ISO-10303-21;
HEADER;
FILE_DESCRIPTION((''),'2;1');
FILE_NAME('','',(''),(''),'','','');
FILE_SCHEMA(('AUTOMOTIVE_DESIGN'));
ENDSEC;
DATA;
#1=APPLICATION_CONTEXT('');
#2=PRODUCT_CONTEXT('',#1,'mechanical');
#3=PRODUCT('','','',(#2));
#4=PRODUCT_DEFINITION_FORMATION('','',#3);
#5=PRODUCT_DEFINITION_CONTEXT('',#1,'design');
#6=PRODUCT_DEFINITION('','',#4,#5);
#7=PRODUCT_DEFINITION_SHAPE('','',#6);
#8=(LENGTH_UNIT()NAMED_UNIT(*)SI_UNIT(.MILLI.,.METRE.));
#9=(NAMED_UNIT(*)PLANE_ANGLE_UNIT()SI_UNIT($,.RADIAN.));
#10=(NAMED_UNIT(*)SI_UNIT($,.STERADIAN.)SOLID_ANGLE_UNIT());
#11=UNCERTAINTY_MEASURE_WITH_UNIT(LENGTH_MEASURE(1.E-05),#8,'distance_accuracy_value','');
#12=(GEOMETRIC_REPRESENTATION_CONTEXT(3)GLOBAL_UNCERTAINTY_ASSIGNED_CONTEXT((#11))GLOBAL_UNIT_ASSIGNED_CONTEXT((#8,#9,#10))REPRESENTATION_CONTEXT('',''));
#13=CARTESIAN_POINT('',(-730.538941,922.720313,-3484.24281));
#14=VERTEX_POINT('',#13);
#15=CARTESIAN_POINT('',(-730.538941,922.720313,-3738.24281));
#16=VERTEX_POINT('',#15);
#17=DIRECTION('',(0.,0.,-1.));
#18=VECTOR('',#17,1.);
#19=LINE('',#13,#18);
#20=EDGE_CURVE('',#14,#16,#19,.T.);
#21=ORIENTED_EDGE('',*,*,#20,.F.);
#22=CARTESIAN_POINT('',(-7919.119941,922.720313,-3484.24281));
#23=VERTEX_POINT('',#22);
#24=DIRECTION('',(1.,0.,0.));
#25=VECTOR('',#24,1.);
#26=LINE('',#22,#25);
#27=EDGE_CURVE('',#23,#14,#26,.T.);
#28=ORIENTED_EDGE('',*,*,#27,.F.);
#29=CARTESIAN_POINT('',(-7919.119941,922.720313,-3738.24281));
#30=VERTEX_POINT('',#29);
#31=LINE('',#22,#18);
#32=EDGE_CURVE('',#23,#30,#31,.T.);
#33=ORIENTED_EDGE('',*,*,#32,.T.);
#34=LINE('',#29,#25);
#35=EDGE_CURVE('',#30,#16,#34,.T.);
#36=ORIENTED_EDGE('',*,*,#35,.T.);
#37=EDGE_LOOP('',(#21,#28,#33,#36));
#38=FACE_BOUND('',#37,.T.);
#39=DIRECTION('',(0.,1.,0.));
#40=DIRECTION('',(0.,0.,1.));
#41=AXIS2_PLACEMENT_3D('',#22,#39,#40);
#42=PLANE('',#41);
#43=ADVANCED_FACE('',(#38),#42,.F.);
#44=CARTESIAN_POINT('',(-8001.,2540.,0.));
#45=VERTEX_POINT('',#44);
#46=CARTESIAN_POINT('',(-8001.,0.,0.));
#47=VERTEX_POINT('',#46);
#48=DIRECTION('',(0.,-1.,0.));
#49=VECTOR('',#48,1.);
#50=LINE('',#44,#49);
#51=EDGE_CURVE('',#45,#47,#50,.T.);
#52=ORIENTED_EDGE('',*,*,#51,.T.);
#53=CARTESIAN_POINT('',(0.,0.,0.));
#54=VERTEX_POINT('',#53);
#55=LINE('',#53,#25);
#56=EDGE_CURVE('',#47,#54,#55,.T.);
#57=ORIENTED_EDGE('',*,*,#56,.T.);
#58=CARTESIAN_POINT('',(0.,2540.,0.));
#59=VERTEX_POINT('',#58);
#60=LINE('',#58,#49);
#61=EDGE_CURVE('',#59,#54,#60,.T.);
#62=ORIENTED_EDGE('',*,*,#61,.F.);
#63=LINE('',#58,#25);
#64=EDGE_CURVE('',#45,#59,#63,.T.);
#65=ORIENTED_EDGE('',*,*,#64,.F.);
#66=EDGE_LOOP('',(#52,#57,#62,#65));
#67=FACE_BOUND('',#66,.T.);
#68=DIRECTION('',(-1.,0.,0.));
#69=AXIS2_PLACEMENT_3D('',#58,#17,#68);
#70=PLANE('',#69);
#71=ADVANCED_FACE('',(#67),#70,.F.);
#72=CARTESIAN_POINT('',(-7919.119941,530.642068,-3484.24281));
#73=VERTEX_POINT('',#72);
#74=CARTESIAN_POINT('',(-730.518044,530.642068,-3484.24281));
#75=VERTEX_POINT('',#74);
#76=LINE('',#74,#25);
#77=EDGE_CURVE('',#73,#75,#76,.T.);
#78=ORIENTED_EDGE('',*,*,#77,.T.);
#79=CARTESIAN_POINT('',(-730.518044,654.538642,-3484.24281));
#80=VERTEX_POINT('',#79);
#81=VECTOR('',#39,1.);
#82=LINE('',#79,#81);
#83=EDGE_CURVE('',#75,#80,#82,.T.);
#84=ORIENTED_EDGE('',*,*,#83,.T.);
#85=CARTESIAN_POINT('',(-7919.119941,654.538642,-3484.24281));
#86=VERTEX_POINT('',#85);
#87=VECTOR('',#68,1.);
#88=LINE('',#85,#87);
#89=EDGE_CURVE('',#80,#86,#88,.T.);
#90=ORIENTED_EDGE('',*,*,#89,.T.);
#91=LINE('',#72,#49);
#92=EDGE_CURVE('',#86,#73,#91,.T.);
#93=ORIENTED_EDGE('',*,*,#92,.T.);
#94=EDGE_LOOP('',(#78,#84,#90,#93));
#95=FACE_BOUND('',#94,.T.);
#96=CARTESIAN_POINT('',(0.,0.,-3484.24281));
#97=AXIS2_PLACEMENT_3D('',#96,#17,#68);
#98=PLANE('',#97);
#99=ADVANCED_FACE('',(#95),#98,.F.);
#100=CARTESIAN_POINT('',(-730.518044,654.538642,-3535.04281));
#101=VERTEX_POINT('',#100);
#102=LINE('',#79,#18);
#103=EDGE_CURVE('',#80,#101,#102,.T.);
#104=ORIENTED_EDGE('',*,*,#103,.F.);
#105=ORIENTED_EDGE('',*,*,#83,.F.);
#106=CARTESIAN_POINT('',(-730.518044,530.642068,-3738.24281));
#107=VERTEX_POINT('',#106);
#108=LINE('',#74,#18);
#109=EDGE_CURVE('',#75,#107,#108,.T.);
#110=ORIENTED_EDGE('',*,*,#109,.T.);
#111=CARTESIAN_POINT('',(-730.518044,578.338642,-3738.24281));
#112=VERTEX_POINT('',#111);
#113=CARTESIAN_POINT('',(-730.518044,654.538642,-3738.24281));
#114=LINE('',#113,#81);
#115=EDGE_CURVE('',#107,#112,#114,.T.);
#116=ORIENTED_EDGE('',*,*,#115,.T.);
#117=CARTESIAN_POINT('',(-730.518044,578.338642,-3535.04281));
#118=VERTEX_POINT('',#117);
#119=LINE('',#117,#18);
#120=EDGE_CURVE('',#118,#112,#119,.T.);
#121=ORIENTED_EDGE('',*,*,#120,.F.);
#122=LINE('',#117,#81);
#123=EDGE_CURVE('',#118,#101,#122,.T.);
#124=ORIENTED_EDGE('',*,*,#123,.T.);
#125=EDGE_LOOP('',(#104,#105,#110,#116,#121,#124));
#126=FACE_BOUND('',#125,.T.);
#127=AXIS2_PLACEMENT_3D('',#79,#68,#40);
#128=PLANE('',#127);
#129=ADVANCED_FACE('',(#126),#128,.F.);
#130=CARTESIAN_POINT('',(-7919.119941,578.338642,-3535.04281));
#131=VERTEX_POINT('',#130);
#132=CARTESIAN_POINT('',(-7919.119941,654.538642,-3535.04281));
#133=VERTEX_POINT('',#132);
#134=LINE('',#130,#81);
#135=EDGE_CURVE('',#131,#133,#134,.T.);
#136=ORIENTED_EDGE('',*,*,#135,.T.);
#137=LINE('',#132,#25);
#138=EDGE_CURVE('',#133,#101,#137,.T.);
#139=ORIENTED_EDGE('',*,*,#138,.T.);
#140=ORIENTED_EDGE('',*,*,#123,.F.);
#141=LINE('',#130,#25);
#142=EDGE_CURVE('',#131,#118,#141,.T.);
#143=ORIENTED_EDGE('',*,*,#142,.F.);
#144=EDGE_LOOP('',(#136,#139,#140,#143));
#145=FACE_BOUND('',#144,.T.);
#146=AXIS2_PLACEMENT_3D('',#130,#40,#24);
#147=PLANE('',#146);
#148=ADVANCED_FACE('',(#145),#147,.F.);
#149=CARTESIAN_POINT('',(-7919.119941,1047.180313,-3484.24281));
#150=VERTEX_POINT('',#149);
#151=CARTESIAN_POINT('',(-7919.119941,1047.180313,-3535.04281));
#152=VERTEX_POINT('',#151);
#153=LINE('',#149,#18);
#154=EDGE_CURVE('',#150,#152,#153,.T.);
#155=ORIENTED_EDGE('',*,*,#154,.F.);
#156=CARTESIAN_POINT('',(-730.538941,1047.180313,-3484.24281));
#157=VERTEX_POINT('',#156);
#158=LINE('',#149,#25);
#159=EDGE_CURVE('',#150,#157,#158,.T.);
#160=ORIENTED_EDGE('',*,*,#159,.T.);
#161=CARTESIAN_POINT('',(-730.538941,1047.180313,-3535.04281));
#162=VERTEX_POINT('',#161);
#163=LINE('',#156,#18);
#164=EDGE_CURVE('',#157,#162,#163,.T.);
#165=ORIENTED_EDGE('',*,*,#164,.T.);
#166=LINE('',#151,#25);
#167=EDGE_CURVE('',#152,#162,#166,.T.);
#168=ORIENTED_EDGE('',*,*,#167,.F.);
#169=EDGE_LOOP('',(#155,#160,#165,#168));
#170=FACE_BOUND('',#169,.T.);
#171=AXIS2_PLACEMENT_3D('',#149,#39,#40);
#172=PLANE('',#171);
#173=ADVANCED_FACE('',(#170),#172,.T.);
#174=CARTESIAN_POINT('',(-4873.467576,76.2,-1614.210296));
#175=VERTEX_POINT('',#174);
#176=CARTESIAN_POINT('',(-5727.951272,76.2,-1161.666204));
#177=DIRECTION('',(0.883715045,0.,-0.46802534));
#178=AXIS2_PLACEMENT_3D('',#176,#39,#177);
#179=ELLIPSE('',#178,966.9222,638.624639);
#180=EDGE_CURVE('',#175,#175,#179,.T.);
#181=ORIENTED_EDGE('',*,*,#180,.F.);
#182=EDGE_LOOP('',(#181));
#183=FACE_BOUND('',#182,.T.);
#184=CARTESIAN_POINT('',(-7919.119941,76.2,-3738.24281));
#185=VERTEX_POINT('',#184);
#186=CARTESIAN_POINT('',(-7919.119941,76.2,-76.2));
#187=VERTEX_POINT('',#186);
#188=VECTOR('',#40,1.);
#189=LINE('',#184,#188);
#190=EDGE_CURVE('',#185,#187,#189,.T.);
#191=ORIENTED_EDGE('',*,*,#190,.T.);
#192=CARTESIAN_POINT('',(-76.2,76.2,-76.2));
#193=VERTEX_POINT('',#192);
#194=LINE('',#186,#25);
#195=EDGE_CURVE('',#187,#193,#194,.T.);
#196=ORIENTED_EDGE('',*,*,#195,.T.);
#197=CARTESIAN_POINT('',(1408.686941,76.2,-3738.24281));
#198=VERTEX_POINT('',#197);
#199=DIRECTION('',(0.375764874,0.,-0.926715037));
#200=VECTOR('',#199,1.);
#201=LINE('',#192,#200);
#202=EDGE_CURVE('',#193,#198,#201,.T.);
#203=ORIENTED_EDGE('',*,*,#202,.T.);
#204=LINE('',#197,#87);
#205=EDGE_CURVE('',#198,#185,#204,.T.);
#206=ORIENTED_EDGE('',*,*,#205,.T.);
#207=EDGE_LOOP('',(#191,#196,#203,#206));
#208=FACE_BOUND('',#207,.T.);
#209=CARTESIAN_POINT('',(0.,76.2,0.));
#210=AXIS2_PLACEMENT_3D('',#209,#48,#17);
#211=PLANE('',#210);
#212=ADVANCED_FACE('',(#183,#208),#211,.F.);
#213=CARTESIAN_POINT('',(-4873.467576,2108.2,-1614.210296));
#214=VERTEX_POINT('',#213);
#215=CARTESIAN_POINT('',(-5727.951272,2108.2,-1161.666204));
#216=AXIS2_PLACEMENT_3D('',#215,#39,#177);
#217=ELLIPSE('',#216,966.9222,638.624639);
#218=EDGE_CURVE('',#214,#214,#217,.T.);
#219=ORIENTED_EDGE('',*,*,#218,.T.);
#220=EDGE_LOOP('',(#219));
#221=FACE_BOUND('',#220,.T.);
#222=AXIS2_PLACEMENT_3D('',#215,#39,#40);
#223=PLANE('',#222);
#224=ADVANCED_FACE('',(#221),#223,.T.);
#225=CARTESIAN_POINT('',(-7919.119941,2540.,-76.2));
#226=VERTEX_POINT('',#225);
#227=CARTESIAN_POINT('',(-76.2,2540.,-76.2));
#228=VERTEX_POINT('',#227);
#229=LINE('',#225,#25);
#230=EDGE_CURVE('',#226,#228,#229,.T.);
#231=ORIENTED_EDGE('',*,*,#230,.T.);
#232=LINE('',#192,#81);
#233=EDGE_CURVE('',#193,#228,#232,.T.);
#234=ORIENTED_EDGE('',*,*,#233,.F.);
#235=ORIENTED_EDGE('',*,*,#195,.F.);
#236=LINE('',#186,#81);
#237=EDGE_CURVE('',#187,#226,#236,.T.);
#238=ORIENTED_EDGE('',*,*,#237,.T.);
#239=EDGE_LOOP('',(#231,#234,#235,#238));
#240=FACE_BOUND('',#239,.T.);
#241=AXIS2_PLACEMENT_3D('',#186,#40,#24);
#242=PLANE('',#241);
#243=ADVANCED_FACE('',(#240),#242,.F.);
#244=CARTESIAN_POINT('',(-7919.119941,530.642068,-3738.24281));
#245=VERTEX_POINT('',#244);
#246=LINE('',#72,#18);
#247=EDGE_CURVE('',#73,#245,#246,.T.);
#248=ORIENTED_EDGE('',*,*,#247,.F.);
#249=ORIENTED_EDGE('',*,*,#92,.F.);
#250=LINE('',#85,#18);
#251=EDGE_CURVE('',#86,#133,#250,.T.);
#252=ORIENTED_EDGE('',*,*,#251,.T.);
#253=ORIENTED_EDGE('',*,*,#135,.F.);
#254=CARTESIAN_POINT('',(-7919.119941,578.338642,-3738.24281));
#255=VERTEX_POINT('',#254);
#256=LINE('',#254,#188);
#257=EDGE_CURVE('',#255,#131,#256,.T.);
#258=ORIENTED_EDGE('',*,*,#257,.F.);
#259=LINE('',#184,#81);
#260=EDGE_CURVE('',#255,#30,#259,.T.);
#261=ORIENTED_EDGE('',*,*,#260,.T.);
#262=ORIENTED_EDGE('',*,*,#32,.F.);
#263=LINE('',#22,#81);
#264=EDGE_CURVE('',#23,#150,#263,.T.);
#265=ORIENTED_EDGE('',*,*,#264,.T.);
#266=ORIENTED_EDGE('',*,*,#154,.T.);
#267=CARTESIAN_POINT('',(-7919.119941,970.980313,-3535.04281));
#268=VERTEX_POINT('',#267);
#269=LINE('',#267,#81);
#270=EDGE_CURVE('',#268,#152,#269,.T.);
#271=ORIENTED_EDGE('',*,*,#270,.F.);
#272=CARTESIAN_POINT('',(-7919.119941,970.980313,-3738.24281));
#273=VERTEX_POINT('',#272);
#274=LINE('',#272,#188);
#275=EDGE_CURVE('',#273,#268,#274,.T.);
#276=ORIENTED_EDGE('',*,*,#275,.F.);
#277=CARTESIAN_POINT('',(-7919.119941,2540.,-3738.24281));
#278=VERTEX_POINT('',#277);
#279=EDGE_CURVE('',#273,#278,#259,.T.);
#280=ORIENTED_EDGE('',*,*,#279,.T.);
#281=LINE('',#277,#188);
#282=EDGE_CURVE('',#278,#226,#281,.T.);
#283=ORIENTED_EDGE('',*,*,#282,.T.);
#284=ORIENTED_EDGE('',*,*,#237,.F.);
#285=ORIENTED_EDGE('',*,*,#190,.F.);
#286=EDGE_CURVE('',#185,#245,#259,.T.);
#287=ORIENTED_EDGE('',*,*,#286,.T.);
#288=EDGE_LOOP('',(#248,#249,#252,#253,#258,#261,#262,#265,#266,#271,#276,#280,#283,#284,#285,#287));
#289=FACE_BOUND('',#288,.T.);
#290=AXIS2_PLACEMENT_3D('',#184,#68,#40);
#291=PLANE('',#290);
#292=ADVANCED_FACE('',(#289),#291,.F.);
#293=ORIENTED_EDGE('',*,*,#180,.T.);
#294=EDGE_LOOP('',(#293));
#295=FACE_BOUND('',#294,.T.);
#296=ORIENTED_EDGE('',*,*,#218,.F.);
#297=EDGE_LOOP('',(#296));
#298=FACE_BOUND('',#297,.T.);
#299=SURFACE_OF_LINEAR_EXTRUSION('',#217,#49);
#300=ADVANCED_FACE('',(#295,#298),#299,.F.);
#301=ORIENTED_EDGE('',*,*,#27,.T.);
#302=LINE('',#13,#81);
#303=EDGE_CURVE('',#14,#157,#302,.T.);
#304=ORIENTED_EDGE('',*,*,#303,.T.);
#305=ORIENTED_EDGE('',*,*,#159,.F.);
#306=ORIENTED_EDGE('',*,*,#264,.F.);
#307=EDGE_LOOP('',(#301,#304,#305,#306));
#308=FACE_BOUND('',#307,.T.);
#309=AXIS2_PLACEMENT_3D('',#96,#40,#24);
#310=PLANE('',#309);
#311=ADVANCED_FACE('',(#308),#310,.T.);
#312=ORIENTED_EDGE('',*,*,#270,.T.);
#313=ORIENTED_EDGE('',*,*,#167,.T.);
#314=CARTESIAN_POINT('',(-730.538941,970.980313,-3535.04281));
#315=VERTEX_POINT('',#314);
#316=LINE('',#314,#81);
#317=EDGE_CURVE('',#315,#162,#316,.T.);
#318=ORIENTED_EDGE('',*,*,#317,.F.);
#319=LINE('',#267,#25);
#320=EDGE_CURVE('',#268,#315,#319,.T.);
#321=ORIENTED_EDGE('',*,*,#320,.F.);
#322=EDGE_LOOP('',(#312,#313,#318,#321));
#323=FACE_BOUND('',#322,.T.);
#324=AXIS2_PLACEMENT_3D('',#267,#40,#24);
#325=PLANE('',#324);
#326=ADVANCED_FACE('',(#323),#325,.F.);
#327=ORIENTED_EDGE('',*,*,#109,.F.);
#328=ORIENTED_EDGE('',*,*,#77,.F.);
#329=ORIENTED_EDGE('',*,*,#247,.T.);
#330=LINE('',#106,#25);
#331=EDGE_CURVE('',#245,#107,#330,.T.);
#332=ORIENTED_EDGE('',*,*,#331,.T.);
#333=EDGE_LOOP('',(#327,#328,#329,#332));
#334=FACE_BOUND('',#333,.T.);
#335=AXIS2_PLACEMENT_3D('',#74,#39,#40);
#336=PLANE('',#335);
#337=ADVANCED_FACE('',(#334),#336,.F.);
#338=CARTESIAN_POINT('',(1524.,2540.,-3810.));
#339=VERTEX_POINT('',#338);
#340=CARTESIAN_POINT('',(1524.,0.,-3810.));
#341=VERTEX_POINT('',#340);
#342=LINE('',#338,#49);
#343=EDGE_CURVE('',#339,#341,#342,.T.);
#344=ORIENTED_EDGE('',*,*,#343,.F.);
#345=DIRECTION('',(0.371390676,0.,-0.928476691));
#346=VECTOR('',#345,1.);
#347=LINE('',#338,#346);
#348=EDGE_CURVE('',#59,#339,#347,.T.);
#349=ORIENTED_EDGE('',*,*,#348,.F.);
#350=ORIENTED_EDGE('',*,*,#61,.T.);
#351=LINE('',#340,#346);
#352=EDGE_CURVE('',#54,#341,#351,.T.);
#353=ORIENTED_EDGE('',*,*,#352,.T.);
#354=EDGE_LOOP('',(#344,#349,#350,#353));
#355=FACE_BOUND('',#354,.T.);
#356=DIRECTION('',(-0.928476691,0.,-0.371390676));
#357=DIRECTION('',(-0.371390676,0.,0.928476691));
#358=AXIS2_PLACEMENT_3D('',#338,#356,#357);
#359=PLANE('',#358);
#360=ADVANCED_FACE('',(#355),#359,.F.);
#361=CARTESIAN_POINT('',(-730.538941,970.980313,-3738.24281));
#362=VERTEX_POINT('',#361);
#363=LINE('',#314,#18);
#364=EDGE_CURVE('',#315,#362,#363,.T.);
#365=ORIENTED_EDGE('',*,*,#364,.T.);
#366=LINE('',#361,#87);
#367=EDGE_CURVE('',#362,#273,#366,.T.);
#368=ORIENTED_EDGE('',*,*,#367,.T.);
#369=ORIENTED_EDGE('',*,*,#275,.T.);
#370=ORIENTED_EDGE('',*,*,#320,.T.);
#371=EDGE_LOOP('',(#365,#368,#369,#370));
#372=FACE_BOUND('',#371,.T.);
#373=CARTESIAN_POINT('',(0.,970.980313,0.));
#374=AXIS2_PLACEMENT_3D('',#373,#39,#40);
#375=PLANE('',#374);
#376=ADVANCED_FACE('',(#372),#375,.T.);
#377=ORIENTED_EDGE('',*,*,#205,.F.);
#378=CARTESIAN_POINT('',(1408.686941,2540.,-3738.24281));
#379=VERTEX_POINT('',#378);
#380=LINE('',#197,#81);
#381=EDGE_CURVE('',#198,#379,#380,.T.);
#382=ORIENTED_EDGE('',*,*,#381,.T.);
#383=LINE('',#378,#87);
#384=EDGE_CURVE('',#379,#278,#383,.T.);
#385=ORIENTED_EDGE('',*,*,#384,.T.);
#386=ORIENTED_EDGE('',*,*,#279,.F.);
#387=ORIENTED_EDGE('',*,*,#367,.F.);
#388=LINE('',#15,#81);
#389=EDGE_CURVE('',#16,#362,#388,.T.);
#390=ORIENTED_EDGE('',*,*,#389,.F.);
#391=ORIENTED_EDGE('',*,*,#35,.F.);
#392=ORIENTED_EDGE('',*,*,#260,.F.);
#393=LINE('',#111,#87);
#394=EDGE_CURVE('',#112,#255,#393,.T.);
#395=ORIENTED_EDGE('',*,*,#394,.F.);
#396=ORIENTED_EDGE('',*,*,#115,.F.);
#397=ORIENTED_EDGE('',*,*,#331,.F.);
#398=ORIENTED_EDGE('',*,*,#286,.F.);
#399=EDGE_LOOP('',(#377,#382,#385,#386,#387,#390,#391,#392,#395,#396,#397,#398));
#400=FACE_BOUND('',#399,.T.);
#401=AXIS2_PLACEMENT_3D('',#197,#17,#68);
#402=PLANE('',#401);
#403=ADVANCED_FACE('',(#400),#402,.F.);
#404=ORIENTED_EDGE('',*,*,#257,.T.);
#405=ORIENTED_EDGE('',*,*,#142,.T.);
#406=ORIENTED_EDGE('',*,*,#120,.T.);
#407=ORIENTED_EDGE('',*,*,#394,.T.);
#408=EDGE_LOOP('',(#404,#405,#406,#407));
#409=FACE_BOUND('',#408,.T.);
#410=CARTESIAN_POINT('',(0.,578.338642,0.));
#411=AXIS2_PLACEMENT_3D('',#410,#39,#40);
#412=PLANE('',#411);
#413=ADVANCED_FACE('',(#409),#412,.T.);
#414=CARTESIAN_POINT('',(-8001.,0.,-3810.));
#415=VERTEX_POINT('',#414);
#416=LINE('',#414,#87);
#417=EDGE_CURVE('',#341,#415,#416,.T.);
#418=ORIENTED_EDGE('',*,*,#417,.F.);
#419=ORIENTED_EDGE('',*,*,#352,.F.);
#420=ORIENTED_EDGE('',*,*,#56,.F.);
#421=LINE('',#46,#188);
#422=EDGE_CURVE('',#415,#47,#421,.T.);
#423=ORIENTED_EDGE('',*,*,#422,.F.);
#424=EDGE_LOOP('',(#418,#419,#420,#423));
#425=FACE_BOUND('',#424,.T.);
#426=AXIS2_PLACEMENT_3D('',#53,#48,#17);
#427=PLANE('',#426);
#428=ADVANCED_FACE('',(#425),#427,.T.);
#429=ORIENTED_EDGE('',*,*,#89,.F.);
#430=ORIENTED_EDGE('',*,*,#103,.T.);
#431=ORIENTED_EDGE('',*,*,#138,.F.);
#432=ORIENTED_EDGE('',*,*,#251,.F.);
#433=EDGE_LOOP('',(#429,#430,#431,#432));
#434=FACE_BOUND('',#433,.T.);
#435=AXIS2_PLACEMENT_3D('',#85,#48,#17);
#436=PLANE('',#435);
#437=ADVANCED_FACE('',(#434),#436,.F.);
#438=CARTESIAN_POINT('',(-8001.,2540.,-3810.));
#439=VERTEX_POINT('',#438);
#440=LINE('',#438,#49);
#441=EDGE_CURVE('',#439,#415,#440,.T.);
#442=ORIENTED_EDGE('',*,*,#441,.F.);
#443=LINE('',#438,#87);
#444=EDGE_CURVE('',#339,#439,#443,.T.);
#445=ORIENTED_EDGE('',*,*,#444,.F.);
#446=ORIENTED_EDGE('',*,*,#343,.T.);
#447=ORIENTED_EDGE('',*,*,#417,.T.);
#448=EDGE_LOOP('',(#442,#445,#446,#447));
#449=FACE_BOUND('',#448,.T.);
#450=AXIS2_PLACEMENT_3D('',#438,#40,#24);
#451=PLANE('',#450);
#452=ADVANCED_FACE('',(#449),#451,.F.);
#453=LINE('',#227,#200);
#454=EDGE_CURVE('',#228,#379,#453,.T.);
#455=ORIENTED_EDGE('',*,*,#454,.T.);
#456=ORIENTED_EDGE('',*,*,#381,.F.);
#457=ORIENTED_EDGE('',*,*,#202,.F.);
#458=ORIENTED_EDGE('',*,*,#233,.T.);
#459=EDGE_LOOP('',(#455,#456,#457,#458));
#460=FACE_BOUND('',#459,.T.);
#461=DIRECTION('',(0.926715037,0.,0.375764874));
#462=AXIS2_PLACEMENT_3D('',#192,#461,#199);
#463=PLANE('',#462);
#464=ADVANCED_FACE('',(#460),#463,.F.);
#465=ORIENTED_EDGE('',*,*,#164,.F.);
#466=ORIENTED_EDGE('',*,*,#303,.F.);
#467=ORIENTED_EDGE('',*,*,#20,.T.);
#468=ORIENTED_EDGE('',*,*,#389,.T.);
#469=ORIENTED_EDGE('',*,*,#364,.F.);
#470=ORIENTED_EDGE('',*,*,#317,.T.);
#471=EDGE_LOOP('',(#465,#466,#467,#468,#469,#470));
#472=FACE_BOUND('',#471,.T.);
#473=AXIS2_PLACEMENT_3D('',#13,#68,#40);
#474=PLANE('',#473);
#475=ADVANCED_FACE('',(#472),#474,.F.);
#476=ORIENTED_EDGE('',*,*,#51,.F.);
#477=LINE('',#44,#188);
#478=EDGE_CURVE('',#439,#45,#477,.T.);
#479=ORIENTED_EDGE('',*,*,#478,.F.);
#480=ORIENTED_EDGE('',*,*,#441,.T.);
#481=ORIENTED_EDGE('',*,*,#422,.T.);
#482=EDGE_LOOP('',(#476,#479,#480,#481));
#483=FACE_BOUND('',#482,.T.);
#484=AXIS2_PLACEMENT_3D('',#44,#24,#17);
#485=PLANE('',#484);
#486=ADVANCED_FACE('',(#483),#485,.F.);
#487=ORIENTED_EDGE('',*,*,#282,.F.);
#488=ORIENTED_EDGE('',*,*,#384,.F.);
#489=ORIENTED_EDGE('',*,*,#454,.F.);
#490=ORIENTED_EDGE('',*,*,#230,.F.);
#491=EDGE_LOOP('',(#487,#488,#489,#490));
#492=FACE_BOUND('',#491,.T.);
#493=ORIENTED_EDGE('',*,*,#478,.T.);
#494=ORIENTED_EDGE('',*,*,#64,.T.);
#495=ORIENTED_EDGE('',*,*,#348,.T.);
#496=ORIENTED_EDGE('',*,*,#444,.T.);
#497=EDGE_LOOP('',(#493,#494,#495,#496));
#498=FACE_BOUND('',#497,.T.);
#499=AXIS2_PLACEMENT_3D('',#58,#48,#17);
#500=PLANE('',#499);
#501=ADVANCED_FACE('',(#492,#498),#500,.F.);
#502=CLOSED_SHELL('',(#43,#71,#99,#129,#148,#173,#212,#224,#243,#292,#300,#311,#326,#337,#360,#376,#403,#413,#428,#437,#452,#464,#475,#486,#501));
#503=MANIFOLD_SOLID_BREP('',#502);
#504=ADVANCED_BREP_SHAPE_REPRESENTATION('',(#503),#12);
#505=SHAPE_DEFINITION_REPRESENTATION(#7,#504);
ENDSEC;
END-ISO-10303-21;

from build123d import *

# Parameters (mm, degrees)
BOSS_EXTRUDE1_DEPTH = 2540
CUT_EXTRUDE1_DEPTH  = 2463.8
SKETCH4_W           = 7188.60189706
SKETCH4_H           = 123.896573516
BOSS_EXTRUDE2_DEPTH = 254
SKETCH5_W           = 7188.581
SKETCH5_H           = 124.46
BOSS_EXTRUDE3_DEPTH = 254
SKETCH6_W           = 7188.581
SKETCH6_H           = 203.2
CUT_EXTRUDE2_DEPTH  = 76.2
SKETCH11_W          = 7188.60189706
SKETCH11_H          = 203.2
CUT_EXTRUDE3_DEPTH  = 76.2
SKETCH18_RX         = 966.922200264
SKETCH18_RY         = 638.624638674
BOSS_EXTRUDE4_DEPTH = 2032


with BuildPart() as part:
    # Sketch2 → Boss-Extrude1 (new body)
    with BuildSketch(Plane(origin=(0, 0, 0), x_dir=(1, 0, 0), z_dir=(0, 1, 0))):
        Polygon((0, 0), (-8001, 0), (-8001, 3810), (1524, 3810), align=None)
    extrude(amount=BOSS_EXTRUDE1_DEPTH)

    # Sketch3 → Cut-Extrude1 (cut)
    with BuildSketch(Plane(origin=(0, 2540, 0), x_dir=(1, 0, 0), z_dir=(0, 1, 0))):
        Polygon((-76.2, 76.2), (1408.686941169, 3738.242810126), (-7919.119940746, 3738.242810126), (-7919.119940746, 76.2), align=None)
    extrude(amount=-CUT_EXTRUDE1_DEPTH, mode=Mode.SUBTRACT)

    # Sketch4 → Boss-Extrude2 (add)
    with BuildSketch(Plane.XY.offset(-3738.242810126)):
        with Locations((-4324.818992216, 592.590354758)):
            Rectangle(SKETCH4_W, SKETCH4_H)
    extrude(amount=BOSS_EXTRUDE2_DEPTH)

    # Sketch5 → Boss-Extrude3 (add)
    with BuildSketch(Plane.XY.offset(-3738.242810126)):
        with Locations((-4324.829440746, 984.950312929)):
            Rectangle(SKETCH5_W, SKETCH5_H)
    extrude(amount=BOSS_EXTRUDE3_DEPTH)

    # Sketch6 → Cut-Extrude2 (cut)
    with BuildSketch(Plane(origin=(0, 1047.180312929, 0), x_dir=(1, 0, 0), z_dir=(0, 1, 0))):
        with Locations((-4324.829440746, 3636.642810126)):
            Rectangle(SKETCH6_W, SKETCH6_H)
    extrude(amount=-CUT_EXTRUDE2_DEPTH, mode=Mode.SUBTRACT)

    # Sketch11 → Cut-Extrude3 (cut)
    with BuildSketch(Plane(origin=(0, 654.538641516, 0), x_dir=(1, 0, 0), z_dir=(0, 1, 0))):
        with Locations((-4324.818992216, 3636.642810126)):
            Rectangle(SKETCH11_W, SKETCH11_H)
    extrude(amount=-CUT_EXTRUDE3_DEPTH, mode=Mode.SUBTRACT)

    # Sketch18 → Boss-Extrude4 (add)
    with BuildSketch(Plane(origin=(0, 76.2, 0), x_dir=(1, 0, 0), z_dir=(0, 1, 0))):
        with Locations(Location((-5727.951271989, 1161.666204476), (0, 0, 27.906193222))):
            Ellipse(SKETCH18_RX, SKETCH18_RY)
    extrude(amount=BOSS_EXTRUDE4_DEPTH)


solid = part.part
